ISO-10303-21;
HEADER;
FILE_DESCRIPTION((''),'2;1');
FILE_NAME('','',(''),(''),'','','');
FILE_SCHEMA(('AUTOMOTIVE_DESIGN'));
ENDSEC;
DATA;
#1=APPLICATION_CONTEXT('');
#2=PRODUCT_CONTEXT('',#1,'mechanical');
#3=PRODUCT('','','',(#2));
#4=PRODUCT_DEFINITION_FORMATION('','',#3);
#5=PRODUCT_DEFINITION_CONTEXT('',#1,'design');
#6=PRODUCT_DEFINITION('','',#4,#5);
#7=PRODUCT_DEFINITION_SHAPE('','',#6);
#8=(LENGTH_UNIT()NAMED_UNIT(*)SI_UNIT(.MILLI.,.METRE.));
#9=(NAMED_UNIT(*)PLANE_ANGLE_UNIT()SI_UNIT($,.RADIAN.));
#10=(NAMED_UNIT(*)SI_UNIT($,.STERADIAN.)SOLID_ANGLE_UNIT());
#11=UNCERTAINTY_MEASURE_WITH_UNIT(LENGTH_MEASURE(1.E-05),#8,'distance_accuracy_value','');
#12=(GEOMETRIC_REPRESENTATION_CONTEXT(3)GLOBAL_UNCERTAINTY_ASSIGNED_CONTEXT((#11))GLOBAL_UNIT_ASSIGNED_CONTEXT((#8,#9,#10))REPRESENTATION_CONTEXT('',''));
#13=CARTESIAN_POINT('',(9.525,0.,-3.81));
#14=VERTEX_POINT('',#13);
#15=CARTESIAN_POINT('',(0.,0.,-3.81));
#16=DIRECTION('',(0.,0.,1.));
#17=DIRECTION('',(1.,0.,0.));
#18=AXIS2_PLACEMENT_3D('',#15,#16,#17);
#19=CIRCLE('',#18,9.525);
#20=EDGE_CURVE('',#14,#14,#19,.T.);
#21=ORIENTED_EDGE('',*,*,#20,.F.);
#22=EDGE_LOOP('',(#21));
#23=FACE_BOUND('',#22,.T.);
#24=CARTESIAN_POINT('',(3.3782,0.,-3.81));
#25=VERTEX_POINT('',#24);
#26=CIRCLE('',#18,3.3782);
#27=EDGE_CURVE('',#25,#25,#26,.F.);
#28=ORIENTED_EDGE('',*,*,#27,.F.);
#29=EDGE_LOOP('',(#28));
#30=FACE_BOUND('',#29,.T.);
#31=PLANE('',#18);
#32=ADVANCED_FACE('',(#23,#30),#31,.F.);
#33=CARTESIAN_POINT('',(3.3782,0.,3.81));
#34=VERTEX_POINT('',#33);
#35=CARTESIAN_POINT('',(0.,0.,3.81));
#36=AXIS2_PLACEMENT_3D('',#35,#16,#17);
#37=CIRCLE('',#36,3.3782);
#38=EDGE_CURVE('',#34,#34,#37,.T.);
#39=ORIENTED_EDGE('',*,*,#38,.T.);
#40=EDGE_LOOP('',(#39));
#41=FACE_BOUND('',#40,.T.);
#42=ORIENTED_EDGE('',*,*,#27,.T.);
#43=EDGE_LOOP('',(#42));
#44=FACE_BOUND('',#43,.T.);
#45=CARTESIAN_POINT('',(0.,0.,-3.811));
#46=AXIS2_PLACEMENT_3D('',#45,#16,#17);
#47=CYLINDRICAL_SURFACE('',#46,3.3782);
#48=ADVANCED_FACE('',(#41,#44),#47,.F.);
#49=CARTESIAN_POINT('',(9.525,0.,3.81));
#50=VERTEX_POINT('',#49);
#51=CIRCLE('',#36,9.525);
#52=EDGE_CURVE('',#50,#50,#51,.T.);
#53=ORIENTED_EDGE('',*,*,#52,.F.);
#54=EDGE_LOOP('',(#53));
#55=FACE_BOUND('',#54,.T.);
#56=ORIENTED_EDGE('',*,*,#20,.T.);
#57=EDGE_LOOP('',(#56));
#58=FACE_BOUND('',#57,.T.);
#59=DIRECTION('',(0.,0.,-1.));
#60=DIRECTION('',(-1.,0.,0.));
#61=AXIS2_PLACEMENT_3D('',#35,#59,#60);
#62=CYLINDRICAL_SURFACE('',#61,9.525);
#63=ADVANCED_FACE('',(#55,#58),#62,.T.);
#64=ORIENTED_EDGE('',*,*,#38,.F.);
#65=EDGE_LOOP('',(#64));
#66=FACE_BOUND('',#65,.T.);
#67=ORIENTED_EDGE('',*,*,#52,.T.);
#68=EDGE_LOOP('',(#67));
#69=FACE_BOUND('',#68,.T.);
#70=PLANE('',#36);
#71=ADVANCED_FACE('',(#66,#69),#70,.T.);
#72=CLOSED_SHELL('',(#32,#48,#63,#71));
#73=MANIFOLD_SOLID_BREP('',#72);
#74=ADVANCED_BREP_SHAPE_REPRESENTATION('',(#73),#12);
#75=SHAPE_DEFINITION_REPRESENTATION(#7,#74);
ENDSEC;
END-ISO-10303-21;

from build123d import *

# Parameters (mm, degrees)
SKETCH1_R           = 9.525
BOSS_EXTRUDE1_DEPTH = 3.81
CUT_EXTRUDE1_REACH  = 9.62
SKETCH2_R           = 3.3782


with BuildPart() as part:
    # Sketch1 → Boss-Extrude1 (new body, symmetric)
    with BuildSketch(Plane.XY):
        Circle(SKETCH1_R)
    extrude(amount=BOSS_EXTRUDE1_DEPTH, both=True)

    # Sketch2 → Cut-Extrude1 (cut, up to next)
    with BuildSketch(Plane.XY.offset(3.81), mode=Mode.PRIVATE) as cut_extrude1_sk1:
        Circle(SKETCH2_R)
    cut_extrude1_tool1 = extrude(cut_extrude1_sk1.sketch, amount=-CUT_EXTRUDE1_REACH, mode=Mode.PRIVATE) & part.part
    add(cut_extrude1_tool1.solids().sort_by_distance((0, 0, 3.81))[0], mode=Mode.SUBTRACT)


solid = part.part
